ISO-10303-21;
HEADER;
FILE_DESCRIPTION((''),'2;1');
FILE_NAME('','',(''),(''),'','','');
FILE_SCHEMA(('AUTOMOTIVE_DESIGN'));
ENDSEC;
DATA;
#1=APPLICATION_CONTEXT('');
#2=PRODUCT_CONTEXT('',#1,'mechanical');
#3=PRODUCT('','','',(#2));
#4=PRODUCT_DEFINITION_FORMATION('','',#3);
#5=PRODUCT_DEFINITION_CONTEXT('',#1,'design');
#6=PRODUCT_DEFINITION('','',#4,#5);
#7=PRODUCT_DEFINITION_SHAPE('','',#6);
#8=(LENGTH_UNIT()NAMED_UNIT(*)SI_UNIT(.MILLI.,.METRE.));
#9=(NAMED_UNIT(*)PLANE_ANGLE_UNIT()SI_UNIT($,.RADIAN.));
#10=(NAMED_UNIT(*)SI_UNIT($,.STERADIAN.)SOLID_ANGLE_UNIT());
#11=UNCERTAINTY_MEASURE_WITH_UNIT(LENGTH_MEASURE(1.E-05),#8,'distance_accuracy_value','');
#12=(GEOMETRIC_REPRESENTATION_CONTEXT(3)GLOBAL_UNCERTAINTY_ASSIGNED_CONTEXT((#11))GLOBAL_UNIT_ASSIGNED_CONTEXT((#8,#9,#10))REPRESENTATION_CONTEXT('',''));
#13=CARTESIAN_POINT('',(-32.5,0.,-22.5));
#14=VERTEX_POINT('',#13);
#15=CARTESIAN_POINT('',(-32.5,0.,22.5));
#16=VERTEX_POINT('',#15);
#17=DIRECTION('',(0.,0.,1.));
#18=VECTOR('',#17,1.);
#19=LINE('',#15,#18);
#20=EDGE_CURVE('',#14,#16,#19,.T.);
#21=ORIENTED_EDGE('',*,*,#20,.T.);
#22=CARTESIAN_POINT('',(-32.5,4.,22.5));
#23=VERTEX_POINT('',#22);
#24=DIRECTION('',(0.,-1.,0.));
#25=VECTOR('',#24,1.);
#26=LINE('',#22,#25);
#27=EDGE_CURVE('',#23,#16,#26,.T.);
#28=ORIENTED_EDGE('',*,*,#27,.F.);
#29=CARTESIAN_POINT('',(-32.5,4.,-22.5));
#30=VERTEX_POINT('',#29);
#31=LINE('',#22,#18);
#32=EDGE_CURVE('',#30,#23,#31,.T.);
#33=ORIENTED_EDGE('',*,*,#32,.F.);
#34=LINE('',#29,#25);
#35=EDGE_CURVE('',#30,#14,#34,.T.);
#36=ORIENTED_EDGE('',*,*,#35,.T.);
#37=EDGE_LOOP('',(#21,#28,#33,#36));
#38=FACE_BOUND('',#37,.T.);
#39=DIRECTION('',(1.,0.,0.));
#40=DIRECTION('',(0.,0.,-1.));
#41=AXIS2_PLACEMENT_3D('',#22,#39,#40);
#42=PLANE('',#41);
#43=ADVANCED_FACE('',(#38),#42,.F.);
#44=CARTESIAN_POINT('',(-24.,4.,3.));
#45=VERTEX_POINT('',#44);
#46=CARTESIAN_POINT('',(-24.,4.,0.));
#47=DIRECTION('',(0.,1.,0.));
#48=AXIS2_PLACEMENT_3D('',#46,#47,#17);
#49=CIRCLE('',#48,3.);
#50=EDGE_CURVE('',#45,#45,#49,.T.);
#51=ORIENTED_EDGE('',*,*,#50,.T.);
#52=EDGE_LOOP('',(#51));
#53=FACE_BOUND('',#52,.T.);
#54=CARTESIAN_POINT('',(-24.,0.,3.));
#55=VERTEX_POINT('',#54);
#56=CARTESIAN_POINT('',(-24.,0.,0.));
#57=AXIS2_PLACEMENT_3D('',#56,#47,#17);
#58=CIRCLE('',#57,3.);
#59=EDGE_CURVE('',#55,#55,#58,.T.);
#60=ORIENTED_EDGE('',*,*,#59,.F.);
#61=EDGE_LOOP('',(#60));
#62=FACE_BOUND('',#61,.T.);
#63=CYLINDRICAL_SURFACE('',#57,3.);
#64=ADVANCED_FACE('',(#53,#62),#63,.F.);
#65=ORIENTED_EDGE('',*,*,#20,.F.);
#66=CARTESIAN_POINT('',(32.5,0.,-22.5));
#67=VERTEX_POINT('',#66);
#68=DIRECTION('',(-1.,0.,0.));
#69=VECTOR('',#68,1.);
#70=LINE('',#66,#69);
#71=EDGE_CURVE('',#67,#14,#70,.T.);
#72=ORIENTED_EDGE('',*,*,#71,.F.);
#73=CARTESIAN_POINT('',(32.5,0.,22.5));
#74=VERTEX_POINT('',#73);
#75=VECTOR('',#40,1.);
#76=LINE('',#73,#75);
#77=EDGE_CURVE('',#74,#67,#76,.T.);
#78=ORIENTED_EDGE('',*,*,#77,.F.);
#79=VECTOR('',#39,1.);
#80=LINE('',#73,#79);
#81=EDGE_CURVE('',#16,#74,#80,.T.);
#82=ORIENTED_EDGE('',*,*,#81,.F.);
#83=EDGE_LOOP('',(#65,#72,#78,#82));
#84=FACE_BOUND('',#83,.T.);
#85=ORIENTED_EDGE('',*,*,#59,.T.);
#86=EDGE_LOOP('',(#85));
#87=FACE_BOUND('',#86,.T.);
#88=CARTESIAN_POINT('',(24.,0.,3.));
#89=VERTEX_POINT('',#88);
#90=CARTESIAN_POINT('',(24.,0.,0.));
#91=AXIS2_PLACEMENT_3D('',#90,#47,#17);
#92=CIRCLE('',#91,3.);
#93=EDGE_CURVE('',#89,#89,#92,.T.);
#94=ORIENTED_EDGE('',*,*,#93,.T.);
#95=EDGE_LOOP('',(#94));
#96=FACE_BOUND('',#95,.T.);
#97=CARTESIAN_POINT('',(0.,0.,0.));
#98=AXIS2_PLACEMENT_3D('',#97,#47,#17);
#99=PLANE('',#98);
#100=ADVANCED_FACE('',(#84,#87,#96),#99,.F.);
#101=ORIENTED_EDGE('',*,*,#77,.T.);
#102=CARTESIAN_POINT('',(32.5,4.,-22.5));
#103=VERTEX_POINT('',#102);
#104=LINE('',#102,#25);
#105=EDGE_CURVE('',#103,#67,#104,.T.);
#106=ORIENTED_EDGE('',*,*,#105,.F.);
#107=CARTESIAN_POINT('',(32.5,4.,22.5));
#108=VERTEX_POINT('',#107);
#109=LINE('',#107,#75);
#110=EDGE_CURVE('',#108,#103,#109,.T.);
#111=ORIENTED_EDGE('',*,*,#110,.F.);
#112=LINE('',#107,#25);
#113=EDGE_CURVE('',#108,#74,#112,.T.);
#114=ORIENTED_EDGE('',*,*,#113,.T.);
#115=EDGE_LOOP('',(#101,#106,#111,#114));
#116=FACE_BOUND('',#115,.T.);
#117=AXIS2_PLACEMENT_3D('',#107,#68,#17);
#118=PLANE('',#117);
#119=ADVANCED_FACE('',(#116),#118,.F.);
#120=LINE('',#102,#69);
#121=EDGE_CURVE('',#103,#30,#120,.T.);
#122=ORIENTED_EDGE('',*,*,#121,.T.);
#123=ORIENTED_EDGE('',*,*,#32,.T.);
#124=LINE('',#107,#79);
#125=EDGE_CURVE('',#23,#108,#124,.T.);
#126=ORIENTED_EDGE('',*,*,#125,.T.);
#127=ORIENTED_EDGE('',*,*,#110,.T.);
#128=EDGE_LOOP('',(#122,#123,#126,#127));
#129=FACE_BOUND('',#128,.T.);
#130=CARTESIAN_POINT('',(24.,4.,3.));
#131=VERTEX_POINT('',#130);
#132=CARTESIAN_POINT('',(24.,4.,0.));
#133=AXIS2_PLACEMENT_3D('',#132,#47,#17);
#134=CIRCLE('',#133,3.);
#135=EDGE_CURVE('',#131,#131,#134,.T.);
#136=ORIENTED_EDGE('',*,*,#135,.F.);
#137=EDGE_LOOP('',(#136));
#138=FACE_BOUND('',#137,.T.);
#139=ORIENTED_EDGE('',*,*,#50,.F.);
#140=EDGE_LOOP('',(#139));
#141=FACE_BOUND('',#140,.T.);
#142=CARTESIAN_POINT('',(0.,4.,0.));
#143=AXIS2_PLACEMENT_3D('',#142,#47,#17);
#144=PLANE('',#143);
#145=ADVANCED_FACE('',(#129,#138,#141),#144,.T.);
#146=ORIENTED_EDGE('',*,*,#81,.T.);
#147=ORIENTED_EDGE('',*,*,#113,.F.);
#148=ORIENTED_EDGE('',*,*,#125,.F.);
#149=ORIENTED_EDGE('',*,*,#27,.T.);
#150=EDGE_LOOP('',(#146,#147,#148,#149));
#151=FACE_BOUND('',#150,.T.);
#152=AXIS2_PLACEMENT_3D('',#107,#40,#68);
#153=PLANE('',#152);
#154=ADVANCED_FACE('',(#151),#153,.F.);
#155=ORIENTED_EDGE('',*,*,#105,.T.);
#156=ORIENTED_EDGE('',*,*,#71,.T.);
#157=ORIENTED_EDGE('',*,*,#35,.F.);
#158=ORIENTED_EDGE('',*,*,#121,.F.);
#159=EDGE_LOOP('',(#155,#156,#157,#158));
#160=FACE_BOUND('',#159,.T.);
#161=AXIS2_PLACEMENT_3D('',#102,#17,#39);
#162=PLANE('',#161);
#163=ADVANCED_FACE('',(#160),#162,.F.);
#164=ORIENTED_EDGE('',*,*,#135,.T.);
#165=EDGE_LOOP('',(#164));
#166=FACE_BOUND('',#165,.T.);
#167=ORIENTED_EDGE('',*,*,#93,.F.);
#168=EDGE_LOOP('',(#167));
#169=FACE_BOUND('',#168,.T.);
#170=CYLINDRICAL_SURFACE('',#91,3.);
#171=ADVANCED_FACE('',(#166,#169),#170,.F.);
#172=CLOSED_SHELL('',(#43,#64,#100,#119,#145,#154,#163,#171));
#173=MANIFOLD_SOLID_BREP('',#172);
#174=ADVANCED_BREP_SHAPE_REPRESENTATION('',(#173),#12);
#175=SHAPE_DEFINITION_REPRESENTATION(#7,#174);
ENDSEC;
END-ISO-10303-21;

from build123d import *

# Parameters (mm, degrees)
SKETCH1_W               = 65
SKETCH1_H               = 45
BOSS_EXTRUDE1_DEPTH     = 4
CUT_EXTRUDE1_DEPTH      = 40.730341051
CUT_EXTRUDE1_DEPTH_BACK = 40.730341051
SKETCH2_R               = 3


with BuildPart() as part:
    # Sketch1 → Boss-Extrude1 (new body)
    with BuildSketch(Plane(origin=(0, 0, 0), x_dir=(1, 0, 0), z_dir=(0, 1, 0))):
        Rectangle(SKETCH1_W, SKETCH1_H)
    extrude(amount=BOSS_EXTRUDE1_DEPTH)

    # Sketch2 → Cut-Extrude1 (cut, two sides: drawn at the far end of the back side and taken through both)
    with BuildSketch(Plane(origin=(0, 4, 0), x_dir=(1, 0, 0), z_dir=(0, 1, 0)).offset(-CUT_EXTRUDE1_DEPTH_BACK)):
        with Locations(Location((-24, 0, 0), (0, 0, 270))):
            Circle(SKETCH2_R)
        with Locations(Location((24, 0, 0), (0, 0, 270))):
            Circle(SKETCH2_R)
    extrude(amount=CUT_EXTRUDE1_DEPTH + CUT_EXTRUDE1_DEPTH_BACK, mode=Mode.SUBTRACT)


solid = part.part
